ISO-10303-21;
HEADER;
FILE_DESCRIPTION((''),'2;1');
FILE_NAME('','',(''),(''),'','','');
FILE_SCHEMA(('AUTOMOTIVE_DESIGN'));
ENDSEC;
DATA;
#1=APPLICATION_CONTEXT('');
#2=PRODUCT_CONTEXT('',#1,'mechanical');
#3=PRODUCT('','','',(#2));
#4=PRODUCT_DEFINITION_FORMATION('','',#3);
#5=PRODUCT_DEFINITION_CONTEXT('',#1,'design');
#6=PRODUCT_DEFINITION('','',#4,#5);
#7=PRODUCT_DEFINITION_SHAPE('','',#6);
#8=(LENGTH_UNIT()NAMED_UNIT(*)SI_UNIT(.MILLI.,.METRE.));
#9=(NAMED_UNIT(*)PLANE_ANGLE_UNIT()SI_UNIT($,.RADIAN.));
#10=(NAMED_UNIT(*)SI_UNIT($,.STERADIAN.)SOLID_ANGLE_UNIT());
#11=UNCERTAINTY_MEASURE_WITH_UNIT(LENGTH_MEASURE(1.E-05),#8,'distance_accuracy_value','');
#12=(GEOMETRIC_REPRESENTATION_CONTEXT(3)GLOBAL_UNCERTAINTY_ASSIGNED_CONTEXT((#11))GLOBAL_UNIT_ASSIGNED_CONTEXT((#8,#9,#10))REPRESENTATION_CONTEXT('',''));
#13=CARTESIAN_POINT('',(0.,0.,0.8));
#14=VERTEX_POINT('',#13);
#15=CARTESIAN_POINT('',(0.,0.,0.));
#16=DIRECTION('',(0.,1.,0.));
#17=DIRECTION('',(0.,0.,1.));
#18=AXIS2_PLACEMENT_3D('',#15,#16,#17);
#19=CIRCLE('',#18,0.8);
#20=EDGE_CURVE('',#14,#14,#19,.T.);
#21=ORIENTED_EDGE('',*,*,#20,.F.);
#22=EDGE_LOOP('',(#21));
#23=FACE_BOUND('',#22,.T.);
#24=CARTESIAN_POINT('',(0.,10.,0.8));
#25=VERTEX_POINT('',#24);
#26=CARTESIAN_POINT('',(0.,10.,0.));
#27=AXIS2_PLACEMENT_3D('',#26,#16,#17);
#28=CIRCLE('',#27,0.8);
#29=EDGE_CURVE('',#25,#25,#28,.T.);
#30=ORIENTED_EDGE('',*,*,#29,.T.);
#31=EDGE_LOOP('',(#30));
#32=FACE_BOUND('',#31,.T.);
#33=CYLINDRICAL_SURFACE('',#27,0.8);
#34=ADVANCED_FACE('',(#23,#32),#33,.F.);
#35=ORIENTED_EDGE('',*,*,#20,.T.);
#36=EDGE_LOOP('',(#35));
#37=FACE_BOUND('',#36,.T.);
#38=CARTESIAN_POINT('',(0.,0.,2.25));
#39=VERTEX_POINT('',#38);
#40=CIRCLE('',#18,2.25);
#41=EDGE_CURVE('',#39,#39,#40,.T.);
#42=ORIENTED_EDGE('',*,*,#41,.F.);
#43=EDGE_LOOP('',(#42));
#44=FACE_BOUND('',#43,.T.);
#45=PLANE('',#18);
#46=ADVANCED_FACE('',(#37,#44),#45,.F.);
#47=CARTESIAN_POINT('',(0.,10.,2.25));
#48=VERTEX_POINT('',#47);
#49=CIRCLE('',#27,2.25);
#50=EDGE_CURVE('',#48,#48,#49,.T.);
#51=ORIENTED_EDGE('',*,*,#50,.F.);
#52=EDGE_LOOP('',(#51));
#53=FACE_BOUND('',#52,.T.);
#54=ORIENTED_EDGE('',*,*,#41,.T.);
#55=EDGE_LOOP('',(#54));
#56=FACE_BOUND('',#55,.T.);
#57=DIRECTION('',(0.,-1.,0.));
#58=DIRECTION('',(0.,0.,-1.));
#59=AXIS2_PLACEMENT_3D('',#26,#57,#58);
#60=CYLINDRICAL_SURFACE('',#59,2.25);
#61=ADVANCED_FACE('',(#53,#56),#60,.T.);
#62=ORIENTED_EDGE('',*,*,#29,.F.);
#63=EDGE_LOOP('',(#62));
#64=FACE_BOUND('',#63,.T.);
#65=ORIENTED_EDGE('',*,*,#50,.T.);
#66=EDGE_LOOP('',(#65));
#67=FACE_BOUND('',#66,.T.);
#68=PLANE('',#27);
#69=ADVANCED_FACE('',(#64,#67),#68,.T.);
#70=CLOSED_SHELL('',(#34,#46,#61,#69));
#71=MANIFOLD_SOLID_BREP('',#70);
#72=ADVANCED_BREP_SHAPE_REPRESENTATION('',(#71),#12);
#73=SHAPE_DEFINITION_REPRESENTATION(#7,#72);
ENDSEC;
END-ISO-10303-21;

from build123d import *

# Parameters (mm, degrees)
SKETCH1_R             = 2.25
BOSS_EXTRUDE1_DEPTH   = 10
M2X0_4_TAPPED_HOLE1_D = 1.6


with BuildPart() as part:
    # Sketch1 → Boss-Extrude1 (new body)
    with BuildSketch(Plane(origin=(0, 0, 0), x_dir=(1, 0, 0), z_dir=(0, 1, 0))):
        Circle(SKETCH1_R)
    extrude(amount=BOSS_EXTRUDE1_DEPTH)

    # M2x0.4 Tapped Hole1 (through all)
    with Locations(Plane(origin=(0, 10, 0), x_dir=(1, 0, 0), z_dir=(0, 1, 0))):
        with Locations((0, 0)):
            Hole(M2X0_4_TAPPED_HOLE1_D / 2)


solid = part.part
